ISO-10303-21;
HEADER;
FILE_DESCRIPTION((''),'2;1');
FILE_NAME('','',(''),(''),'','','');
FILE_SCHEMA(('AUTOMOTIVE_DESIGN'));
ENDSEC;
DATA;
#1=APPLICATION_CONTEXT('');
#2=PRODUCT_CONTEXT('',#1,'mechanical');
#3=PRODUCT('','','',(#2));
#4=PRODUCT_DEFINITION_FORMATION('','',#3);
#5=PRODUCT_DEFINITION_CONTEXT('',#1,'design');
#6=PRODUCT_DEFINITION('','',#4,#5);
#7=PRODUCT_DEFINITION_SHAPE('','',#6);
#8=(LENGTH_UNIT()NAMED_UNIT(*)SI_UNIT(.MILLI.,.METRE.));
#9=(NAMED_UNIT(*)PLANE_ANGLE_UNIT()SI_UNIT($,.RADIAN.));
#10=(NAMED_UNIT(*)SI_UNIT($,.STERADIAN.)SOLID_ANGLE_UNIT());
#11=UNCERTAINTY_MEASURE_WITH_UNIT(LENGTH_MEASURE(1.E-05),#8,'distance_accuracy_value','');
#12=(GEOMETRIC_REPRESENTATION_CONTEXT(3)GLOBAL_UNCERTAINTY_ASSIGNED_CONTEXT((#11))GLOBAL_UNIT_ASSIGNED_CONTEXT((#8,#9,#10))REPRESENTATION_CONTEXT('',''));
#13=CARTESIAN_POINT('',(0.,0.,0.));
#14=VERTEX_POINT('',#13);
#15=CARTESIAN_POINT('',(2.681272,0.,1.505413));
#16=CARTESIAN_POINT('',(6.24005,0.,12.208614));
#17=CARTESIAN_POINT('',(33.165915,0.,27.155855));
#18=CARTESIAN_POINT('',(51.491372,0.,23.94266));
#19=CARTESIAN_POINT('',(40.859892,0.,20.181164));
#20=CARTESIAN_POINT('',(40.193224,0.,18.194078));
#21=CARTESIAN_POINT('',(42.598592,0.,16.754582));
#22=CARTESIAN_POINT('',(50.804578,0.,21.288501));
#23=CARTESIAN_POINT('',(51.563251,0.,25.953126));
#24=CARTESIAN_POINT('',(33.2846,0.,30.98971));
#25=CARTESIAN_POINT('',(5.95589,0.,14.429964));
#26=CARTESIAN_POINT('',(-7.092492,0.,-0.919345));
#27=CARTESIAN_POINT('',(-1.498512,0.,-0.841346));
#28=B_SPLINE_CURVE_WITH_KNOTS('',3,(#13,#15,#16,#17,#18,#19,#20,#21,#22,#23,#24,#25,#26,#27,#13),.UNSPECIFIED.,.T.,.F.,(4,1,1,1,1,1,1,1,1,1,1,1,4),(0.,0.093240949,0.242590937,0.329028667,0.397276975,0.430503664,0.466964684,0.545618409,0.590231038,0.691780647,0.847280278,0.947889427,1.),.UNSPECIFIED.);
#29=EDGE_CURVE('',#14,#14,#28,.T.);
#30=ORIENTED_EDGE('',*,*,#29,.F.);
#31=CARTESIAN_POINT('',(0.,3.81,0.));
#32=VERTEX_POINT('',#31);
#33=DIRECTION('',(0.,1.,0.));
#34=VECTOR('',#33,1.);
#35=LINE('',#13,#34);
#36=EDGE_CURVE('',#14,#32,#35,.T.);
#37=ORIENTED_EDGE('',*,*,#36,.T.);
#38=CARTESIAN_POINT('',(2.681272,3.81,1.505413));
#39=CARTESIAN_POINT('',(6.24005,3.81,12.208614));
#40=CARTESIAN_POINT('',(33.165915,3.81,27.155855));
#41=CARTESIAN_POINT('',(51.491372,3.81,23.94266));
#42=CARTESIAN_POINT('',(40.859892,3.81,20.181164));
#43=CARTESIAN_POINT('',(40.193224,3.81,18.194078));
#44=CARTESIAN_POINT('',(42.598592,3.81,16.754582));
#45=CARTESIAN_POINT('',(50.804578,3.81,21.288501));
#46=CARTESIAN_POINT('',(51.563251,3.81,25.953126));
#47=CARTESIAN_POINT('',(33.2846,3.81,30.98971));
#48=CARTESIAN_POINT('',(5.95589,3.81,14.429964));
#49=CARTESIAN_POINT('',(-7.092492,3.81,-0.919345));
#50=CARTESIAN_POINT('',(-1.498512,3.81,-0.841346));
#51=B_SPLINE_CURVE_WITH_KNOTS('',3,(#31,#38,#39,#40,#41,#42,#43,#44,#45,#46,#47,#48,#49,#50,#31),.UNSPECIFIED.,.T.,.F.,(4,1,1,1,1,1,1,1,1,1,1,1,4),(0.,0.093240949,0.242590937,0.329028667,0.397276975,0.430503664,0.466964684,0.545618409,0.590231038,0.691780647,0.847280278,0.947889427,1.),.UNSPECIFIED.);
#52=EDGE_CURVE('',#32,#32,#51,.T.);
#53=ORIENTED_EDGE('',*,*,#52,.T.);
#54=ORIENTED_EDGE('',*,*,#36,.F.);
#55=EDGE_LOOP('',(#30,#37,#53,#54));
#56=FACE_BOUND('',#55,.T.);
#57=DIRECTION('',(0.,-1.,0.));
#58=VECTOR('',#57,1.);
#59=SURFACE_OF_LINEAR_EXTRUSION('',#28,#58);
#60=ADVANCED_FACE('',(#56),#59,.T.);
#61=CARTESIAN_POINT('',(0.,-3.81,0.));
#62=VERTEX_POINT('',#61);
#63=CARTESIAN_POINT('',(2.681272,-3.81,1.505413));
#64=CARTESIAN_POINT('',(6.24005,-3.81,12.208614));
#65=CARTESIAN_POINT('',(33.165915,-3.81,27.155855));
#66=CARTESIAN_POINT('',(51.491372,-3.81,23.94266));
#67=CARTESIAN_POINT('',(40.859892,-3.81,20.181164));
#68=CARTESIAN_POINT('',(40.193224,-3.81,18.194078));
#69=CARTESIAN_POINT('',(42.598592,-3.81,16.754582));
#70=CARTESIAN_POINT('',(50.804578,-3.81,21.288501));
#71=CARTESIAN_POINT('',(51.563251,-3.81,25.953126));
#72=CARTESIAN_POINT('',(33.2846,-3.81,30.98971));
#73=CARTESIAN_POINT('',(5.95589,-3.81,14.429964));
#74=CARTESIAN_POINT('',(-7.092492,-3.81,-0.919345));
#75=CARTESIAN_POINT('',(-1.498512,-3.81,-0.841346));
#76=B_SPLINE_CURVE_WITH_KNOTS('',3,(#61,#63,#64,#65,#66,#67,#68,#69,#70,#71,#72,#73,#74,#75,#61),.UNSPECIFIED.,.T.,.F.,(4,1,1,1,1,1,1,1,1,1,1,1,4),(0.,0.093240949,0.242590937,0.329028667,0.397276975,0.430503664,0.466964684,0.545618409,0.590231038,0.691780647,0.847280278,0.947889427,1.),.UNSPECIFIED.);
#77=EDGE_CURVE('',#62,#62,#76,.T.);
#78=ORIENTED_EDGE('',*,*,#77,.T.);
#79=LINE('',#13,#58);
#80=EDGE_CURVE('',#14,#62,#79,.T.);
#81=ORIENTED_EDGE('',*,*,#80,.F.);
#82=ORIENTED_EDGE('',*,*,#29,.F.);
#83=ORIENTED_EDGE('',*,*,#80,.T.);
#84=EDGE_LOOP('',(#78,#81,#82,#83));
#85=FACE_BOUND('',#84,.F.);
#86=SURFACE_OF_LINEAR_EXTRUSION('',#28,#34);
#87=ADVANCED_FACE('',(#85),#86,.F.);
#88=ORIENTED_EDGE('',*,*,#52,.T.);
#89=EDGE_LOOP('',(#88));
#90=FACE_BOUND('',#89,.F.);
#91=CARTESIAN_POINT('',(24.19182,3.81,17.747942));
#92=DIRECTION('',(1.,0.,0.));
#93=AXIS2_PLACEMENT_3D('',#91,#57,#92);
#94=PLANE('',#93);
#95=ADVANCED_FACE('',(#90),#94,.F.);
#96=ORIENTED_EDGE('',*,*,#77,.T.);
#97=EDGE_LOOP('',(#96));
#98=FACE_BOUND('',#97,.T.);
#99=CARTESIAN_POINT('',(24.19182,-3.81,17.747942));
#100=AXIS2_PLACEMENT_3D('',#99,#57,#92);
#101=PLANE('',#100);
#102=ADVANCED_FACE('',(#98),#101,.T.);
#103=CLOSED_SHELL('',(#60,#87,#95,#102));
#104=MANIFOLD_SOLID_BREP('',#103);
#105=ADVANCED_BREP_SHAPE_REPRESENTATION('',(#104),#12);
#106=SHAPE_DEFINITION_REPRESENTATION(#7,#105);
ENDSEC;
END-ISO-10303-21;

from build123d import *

# Parameters (mm, degrees)
F1_DEPTH = 3.81


with BuildPart() as f1:
    # F0 (on Front) → F1 (new body, symmetric)
    with BuildSketch(Plane.XZ):
        with BuildLine():
            add(Edge.make_bspline(
                [(0, 0), (2.6812723422, 1.5054125241), (6.2400496011, 12.2086137318), (33.1659152184, 27.1558546644), (51.4913723457, 23.9426603652), (40.85989162, 20.1811644767), (40.1932237391, 18.1940782214), (42.5985920595, 16.7545819759), (50.8045775816, 21.2885014571), (51.5632511292, 25.9531260641), (33.2846002364, 30.9897097186), (5.9558899659, 14.4299641326), (-7.0924919036, -0.9193447655), (-1.498511547, -0.8413461082), (0, 0)],
                knots=[0, 0, 0, 0, 0.0932409485, 0.2425909368, 0.3290286673, 0.397276975, 0.4305036637, 0.4669646841, 0.5456184091, 0.5902310378, 0.6917806474, 0.8472802785, 0.947889427, 1, 1, 1, 1], degree=3))
        make_face()
    extrude(amount=F1_DEPTH, both=True)


solid = f1.part
